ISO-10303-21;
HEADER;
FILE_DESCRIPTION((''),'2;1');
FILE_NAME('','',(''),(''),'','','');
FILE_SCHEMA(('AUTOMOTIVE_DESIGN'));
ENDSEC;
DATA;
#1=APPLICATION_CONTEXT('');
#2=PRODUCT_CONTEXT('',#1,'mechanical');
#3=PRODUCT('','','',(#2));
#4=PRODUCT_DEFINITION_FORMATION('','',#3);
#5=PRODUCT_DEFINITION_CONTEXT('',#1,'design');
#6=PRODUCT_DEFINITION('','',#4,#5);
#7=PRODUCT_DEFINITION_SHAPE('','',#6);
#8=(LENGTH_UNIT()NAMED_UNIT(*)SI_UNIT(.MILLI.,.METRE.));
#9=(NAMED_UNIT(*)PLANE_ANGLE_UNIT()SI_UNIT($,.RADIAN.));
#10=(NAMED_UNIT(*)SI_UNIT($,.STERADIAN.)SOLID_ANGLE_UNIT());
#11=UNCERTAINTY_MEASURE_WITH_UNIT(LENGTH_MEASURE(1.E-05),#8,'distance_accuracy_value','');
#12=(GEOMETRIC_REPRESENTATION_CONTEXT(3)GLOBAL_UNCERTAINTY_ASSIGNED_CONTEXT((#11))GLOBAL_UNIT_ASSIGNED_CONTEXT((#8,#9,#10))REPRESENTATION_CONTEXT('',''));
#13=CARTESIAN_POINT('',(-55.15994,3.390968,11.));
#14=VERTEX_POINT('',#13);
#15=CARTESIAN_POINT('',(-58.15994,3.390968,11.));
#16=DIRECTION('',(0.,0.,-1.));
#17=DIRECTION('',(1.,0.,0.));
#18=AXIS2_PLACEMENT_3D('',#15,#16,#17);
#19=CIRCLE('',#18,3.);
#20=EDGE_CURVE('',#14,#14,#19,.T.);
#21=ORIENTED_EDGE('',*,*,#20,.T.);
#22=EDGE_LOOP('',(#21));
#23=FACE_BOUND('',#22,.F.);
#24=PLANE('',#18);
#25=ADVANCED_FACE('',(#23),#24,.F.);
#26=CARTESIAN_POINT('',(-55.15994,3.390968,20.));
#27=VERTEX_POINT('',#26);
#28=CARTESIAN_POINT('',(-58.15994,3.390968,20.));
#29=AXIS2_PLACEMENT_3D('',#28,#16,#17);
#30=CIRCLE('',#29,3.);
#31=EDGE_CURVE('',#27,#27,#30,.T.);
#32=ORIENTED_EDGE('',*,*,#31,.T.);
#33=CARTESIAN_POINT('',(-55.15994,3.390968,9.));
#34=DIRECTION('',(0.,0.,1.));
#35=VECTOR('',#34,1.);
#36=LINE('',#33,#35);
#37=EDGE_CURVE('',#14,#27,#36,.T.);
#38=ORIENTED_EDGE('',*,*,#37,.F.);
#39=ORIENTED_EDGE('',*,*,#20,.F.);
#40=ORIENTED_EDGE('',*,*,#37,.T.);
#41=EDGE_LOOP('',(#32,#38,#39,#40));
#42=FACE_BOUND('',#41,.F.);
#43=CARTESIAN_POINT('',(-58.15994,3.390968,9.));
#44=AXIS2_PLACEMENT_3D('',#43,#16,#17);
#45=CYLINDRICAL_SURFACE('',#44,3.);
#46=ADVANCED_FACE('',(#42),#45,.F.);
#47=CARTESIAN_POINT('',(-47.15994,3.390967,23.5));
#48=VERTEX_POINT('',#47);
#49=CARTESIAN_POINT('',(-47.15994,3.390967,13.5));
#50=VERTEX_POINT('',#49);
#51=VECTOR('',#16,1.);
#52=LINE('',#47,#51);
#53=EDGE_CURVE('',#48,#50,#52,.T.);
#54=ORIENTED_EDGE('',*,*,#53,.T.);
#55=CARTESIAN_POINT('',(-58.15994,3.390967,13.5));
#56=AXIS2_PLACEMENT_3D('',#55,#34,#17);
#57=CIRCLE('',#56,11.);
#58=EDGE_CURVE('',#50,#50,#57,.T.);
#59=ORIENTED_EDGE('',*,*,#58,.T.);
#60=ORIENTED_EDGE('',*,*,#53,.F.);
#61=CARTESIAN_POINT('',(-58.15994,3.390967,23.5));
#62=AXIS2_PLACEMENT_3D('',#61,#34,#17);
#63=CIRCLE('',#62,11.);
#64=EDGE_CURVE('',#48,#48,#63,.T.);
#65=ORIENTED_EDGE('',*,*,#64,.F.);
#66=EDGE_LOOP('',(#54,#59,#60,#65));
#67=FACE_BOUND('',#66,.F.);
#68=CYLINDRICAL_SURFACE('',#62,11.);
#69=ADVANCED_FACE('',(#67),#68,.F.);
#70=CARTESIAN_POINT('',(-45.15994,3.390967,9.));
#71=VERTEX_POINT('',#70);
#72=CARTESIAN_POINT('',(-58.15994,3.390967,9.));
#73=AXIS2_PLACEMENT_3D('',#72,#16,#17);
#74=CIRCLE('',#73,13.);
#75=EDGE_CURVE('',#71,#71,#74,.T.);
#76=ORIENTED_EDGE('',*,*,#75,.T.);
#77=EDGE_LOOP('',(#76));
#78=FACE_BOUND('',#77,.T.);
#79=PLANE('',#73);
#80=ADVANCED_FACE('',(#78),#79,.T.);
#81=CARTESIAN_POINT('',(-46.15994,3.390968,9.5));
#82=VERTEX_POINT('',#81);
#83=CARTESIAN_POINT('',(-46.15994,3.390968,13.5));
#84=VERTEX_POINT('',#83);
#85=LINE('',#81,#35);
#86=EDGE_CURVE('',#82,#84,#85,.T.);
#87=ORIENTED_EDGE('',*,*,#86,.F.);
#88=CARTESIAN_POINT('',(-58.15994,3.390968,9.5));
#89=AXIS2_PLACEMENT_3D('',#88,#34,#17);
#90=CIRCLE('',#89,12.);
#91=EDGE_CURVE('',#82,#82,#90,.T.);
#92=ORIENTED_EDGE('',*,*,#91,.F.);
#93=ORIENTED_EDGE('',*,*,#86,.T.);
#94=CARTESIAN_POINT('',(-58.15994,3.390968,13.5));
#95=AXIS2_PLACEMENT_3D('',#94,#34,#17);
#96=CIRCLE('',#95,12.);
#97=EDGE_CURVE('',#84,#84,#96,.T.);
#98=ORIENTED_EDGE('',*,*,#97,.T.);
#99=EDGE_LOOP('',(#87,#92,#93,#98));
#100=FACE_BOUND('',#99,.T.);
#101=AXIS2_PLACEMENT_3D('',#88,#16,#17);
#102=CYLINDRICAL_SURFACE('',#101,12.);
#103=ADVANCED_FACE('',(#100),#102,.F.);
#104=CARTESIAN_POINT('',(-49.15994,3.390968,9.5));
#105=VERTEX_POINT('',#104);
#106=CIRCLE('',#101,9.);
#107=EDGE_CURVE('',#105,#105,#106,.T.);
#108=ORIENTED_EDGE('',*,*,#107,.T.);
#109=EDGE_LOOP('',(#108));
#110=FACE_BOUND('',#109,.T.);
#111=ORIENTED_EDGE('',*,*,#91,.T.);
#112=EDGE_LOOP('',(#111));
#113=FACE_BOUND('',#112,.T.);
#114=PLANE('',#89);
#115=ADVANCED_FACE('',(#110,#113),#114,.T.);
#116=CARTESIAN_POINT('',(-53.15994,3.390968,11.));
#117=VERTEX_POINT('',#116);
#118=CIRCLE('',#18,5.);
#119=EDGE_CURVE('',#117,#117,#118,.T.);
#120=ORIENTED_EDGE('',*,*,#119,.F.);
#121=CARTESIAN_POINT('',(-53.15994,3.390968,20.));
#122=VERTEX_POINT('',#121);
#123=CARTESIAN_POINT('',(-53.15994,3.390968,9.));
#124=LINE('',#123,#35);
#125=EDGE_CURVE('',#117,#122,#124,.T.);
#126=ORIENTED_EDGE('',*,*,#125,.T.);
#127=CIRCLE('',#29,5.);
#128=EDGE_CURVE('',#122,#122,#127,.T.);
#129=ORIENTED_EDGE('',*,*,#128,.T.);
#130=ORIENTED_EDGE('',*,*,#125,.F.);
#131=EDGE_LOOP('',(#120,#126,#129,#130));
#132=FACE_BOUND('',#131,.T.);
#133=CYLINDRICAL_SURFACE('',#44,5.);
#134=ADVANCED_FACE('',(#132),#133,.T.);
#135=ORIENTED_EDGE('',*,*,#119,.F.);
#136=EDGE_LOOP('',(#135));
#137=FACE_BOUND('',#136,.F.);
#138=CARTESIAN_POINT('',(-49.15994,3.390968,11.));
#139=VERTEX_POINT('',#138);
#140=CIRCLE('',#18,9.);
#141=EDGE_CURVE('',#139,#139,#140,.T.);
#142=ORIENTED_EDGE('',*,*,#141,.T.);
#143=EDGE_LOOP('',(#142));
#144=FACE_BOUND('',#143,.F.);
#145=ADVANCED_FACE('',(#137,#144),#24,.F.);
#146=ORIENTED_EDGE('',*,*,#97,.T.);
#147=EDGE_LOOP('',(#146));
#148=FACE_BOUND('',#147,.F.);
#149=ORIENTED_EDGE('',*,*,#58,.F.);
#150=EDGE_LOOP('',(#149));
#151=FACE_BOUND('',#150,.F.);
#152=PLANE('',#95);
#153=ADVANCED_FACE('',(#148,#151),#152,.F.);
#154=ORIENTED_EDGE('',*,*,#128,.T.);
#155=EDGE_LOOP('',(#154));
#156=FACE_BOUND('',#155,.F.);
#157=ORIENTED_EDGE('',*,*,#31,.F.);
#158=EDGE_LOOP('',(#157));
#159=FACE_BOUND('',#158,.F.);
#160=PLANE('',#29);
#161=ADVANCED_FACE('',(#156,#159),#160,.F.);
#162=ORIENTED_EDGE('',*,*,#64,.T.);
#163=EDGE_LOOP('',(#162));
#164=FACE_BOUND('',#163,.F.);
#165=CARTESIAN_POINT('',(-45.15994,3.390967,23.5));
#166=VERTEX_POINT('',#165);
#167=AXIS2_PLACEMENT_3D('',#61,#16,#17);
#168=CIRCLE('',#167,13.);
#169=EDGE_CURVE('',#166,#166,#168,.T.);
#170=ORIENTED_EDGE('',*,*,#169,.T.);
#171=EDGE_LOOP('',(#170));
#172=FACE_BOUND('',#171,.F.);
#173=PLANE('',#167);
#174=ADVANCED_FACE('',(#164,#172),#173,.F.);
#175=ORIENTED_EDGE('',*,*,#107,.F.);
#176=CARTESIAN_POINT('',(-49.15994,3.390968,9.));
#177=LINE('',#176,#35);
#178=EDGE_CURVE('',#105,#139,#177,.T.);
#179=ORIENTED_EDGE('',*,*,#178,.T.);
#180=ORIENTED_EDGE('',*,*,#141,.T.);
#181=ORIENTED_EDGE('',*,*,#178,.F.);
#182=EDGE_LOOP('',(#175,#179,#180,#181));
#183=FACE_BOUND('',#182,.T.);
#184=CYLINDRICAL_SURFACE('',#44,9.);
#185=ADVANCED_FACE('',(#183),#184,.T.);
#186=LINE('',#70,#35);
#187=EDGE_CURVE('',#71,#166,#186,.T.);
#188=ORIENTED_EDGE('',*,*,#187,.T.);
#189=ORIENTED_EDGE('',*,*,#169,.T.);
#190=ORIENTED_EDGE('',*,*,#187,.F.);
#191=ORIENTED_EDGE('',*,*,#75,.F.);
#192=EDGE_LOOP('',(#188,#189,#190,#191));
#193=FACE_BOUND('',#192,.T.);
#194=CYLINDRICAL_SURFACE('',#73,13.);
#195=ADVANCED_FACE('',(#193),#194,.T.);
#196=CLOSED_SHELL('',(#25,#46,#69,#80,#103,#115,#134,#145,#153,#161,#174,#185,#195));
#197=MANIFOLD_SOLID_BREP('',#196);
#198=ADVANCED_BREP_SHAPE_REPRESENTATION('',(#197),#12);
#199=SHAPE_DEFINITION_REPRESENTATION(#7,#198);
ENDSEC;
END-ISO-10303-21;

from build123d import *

# Parameters (mm, degrees)
CIRCLE070_R        = 12
EXTRUSION013_DEPTH = 4
CIRCLE066_R        = 11
EXTRUSION012_DEPTH = 14
CIRCLE_R           = 13
EXTRUSION_DEPTH    = 14.5
CIRCLE069_R        = 9
EXTRUDE072_DEPTH   = 2
CIRCLE067_R        = 3
EXTRUDE_DEPTH      = 11
CIRCLE068_R        = 5
EXTRUDE071_DEPTH   = 11


with BuildPart() as extrusion013:
    # Circle070 → Extrusion013 (new body)
    with BuildSketch(Plane(origin=(-85.118271, -1.008042, 9), x_dir=(1, 0, 0), z_dir=(0, 0, 1))):
        Circle(CIRCLE070_R)
    extrude(amount=EXTRUSION013_DEPTH)


with BuildPart() as extrusion013_1:
    # Extrusion013 placement: moved
    add(extrusion013.part.moved(Location((26.958331, 4.39901, 0.5))))


with BuildPart() as extrusion012:
    # Circle066 → Extrusion012 (new body)
    with BuildSketch(Plane(origin=(17.627983, 9.639136, 13.765504), x_dir=(1, 0, 0), z_dir=(0, 0, 1))):
        Circle(CIRCLE066_R)
    extrude(amount=-EXTRUSION012_DEPTH)


with BuildPart() as cut048:
    # Circle → Extrusion (new body)
    with BuildSketch(Plane(origin=(17.627983, 9.639136, -0.734496), x_dir=(1, 0, 0), z_dir=(0, 0, -1))):
        Circle(CIRCLE_R)
    extrude(amount=-EXTRUSION_DEPTH)

    # Cut: cut Extrusion012
    add(extrusion012.part, mode=Mode.SUBTRACT)


with BuildPart() as cut048_1:
    # Cut placement: moved
    add(cut048.part.moved(Location((-75.787923, -6.248169, 9.734496))))

    # Cut048: cut Extrusion013
    add(extrusion013_1.part, mode=Mode.SUBTRACT)


with BuildPart() as extrude072:
    # Circle069 → Extrude072 (new body)
    with BuildSketch(Plane(origin=(-58.15994, 3.390968, 9), x_dir=(1, 0, 0), z_dir=(0, 0, -1))):
        Circle(CIRCLE069_R)
    extrude(amount=-EXTRUDE072_DEPTH)


with BuildPart() as extrude_body:
    # Circle067 → Extrude (new body)
    with BuildSketch(Plane(origin=(-58.15994, 3.390968, 9), x_dir=(1, 0, 0), z_dir=(0, 0, -1))):
        Circle(CIRCLE067_R)
    extrude(amount=-EXTRUDE_DEPTH)


with BuildPart() as fusion001:
    # Circle068 → Extrude071 (new body)
    with BuildSketch(Plane(origin=(-58.15994, 3.390968, 9), x_dir=(1, 0, 0), z_dir=(0, 0, -1))):
        Circle(CIRCLE068_R)
    extrude(amount=-EXTRUDE071_DEPTH)

    # Cut047: cut Extrude body
    add(extrude_body.part, mode=Mode.SUBTRACT)

    # Fusion: union Extrude072
    add(extrude072.part)

    # Fusion001: union Cut048
    add(cut048_1.part)


solid = fusion001.part
